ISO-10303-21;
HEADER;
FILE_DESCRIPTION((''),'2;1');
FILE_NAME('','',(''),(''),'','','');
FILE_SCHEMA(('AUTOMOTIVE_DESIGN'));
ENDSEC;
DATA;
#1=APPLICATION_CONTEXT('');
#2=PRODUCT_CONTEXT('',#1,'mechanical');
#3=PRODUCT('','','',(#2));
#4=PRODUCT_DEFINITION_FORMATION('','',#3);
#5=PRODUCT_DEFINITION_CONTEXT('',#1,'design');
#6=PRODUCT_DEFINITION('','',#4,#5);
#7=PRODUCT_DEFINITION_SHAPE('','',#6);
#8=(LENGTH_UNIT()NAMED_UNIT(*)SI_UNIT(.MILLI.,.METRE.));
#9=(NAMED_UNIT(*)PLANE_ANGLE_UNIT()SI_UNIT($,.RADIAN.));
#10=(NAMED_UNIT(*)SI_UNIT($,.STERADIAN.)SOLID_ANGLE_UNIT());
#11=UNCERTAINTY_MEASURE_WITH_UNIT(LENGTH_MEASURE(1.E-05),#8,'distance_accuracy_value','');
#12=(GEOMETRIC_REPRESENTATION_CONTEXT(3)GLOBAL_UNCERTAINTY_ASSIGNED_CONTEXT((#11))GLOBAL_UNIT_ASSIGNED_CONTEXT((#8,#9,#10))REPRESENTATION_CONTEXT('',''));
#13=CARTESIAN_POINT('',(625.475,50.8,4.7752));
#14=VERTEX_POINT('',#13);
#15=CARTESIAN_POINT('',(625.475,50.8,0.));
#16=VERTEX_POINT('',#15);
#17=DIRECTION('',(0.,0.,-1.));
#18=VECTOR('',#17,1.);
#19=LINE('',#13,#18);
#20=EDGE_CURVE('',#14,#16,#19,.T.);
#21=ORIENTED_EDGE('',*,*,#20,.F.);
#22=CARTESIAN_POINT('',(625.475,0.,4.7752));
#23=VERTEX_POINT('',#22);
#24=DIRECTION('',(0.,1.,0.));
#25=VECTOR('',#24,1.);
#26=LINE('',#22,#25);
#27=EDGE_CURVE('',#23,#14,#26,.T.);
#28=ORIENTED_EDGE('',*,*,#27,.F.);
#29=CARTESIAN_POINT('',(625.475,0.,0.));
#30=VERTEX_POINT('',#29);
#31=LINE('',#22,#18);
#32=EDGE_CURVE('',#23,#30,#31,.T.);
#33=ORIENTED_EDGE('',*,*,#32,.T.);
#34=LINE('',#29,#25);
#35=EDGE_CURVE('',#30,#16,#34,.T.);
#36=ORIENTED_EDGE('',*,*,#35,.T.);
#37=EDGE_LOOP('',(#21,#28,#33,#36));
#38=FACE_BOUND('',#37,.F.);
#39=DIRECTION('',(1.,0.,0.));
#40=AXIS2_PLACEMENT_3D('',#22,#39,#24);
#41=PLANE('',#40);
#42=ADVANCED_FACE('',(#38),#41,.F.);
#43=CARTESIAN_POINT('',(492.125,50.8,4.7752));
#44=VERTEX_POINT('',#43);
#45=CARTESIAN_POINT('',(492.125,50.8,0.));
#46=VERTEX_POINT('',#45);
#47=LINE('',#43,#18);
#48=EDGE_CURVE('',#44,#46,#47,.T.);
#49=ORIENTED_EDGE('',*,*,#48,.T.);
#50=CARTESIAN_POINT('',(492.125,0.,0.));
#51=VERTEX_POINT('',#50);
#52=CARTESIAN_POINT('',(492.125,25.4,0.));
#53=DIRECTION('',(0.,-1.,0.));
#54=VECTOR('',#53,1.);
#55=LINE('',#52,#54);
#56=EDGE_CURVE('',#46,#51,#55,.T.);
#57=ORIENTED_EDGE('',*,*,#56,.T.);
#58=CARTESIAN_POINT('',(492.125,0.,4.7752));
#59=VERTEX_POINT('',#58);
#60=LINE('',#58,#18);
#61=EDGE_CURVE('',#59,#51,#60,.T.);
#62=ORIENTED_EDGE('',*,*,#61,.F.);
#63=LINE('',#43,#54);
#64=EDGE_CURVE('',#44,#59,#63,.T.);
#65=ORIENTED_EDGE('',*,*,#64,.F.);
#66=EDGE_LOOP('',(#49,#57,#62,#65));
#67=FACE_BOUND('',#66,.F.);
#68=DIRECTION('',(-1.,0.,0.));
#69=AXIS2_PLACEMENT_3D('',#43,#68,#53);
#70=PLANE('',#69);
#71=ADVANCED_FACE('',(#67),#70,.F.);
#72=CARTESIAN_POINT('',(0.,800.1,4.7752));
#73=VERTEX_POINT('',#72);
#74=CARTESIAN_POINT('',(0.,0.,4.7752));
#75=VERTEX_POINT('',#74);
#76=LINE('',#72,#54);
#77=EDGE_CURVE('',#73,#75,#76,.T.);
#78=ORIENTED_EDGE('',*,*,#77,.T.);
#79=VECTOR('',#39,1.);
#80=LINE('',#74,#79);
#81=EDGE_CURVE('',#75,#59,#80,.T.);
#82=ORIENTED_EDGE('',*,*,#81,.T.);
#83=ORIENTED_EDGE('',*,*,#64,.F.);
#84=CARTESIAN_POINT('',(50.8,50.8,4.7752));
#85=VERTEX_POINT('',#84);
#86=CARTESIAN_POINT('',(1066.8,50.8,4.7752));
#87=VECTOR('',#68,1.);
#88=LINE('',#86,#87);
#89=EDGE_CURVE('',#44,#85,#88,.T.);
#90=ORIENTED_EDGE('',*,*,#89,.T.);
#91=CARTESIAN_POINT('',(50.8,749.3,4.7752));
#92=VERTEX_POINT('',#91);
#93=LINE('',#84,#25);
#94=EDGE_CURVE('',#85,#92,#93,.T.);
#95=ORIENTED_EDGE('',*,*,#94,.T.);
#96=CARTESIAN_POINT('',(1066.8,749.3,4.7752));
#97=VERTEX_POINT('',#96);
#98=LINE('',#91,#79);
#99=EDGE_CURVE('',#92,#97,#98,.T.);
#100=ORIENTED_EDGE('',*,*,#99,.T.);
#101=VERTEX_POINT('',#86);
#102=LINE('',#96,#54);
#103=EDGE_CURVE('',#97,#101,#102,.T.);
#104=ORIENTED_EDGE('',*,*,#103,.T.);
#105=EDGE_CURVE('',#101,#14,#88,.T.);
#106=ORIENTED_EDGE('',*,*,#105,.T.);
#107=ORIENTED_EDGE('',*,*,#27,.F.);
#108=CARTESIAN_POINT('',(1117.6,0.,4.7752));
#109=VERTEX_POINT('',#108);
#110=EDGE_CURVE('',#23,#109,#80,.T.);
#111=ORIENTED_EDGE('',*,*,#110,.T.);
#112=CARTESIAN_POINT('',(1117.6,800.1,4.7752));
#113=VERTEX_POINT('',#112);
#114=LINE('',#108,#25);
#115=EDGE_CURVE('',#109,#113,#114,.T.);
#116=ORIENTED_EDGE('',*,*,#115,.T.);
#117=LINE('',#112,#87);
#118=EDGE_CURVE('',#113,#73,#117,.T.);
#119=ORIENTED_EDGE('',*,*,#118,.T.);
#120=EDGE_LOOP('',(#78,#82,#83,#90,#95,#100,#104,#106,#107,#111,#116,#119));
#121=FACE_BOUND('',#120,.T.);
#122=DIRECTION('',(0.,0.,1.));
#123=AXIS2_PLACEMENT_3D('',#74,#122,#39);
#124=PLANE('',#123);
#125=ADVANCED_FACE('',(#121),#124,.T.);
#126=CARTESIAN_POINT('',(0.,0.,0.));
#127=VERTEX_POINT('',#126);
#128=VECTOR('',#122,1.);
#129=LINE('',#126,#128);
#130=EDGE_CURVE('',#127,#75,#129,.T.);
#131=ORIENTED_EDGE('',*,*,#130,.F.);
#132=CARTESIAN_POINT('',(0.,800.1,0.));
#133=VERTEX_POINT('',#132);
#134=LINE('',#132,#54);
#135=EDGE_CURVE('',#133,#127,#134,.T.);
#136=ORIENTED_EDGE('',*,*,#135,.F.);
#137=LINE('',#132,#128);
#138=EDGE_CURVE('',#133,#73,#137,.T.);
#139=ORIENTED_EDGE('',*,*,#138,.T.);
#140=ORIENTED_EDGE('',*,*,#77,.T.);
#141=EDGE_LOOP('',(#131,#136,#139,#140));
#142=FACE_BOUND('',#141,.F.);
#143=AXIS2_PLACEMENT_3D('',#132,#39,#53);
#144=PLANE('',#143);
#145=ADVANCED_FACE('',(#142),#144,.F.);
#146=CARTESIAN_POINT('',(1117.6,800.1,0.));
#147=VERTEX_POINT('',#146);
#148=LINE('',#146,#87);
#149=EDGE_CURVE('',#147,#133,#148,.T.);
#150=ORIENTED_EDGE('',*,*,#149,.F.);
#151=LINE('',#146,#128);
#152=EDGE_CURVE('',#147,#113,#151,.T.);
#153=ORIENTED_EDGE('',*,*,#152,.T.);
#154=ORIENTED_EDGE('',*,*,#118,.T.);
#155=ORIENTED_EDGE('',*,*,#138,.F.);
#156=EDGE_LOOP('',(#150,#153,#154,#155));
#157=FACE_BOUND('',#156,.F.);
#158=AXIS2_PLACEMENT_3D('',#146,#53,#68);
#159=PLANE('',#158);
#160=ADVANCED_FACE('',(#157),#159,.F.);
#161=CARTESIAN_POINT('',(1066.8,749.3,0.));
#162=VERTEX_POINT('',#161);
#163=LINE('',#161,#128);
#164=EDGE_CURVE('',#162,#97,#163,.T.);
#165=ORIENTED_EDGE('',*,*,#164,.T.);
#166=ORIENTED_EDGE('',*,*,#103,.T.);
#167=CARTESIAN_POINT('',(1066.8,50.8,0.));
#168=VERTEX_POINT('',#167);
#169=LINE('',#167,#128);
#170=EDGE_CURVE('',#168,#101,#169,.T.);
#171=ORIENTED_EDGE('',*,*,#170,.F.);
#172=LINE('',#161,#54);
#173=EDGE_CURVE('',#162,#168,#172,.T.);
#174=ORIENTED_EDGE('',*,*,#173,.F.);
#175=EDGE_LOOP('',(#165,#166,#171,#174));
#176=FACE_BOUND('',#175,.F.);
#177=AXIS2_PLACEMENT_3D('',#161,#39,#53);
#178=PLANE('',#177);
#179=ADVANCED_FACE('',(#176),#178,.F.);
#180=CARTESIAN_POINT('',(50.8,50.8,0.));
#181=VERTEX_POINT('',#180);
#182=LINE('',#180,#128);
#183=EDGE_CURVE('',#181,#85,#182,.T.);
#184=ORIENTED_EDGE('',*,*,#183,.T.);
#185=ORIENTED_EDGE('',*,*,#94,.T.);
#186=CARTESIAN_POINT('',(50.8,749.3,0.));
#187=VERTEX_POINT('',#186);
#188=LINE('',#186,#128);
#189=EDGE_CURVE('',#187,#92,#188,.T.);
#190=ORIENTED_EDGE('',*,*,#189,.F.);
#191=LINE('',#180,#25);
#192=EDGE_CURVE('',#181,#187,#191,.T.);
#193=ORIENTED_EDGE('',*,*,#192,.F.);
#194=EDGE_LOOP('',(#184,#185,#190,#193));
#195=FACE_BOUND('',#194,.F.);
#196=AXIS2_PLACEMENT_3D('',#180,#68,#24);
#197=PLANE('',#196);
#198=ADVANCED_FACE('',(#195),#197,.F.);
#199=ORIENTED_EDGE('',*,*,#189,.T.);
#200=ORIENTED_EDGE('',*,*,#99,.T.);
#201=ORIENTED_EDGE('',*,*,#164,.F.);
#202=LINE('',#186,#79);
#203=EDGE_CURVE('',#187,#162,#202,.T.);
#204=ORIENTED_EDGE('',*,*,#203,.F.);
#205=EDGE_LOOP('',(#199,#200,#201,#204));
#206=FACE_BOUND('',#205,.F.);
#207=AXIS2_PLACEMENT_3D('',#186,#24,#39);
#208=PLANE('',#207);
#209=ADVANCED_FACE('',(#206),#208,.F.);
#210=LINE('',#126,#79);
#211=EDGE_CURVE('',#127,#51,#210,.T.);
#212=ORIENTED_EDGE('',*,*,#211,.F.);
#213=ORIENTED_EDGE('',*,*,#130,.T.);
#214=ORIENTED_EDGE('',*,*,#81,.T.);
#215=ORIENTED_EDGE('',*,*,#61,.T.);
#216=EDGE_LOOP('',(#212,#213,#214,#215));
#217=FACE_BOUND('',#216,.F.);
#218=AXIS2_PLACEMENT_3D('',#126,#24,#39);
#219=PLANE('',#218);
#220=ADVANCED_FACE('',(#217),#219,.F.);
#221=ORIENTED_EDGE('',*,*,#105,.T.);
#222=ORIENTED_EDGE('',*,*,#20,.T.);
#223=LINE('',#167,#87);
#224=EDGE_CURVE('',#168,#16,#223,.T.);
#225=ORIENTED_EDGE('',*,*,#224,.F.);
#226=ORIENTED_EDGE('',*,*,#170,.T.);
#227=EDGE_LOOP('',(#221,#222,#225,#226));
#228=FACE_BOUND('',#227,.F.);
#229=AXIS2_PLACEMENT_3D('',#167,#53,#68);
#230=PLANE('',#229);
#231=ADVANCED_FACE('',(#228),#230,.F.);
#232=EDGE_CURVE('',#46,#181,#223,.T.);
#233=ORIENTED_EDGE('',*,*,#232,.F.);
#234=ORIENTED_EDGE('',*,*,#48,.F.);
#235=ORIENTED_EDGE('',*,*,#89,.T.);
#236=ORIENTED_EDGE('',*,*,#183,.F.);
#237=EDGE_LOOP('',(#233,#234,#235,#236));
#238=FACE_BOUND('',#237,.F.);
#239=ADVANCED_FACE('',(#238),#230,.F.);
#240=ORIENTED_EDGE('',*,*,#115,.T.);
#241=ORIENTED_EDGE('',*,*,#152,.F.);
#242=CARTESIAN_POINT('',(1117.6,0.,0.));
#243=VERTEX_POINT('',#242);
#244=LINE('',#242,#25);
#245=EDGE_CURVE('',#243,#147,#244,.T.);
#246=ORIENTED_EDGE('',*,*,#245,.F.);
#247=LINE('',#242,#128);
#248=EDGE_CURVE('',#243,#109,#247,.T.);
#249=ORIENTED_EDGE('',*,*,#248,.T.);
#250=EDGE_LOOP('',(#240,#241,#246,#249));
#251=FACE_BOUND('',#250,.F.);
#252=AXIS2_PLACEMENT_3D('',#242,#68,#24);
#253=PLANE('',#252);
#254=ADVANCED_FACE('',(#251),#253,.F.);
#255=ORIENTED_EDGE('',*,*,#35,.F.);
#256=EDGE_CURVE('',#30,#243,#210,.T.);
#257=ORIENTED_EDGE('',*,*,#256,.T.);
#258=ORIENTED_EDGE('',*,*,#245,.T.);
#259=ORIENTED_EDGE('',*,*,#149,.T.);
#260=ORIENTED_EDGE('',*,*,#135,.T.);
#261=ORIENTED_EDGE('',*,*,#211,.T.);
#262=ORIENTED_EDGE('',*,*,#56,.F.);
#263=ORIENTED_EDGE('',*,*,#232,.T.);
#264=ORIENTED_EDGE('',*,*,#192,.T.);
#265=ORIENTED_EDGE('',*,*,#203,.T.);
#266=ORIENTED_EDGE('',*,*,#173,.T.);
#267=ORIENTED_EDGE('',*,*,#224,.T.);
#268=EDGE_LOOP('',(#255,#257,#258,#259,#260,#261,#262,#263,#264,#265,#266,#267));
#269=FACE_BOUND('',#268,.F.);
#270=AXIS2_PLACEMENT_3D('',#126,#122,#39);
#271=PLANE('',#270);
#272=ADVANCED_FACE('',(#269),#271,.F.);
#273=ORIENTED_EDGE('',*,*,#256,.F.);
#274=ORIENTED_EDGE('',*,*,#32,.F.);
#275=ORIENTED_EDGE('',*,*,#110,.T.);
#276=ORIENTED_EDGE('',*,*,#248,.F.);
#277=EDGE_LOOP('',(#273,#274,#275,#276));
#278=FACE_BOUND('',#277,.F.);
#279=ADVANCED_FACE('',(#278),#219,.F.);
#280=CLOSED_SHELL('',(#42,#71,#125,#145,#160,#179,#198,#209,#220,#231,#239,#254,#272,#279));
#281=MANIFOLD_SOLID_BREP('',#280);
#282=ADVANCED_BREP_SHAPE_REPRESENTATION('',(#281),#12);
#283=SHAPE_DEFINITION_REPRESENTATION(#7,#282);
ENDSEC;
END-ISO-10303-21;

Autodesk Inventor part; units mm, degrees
ref_plane "YZ Plane" through (0, 0, 0) normal (1, 0, 0) x (0, 1, 0)
ref_plane "XZ Plane" through (0, 0, 0) normal (0, 1, 0) x (-1, 0, 0)
ref_plane "XY Plane" through (0, 0, 0) normal (0, 0, 1) x (1, 0, 0)
sketch "Sketch1" plane through (0, 0, 0) normal (0, 0, 1) x (1, 0, 0)
  line L0 (0, 0) -> (1117.6, 0)
  line L1 (1117.6, 0) -> (1117.6, 800.1)
  line L2 (1117.6, 800.1) -> (0, 800.1)
  line L3 (0, 800.1) -> (0, 0)
  line L4 (50.8, 749.3) -> (1066.8, 749.3)
  line L5 (1066.8, 749.3) -> (1066.8, 50.8)
  line L6 (1066.8, 50.8) -> (50.8, 50.8)
  line L7 (50.8, 50.8) -> (50.8, 749.3)
  dimension "d0" = 800.1
  dimension "d1" = 1117.6
  dimension "d2" = 50.8
extrude "Extrusion1" add sketch "Sketch1" along normal blind 4.7752
sketch "Sketch2" plane through (0, 0, 4.7752) normal (0, 0, 1) x (1, 0, 0)
  line L0 (1066.8, 50.8) -> (50.8, 50.8) projected
  line L1 (0, 0) -> (0, 800.1) projected
  line L2 (1117.6, 0) -> (0, 0) projected
  line L3 (492.125, 0) -> (625.475, 0)
  line L4 (625.475, 0) -> (625.475, 50.8)
  line L5 (625.475, 50.8) -> (492.125, 50.8)
  line L6 (492.125, 50.8) -> (492.125, 0)
  dimension "d5" = 133.35
  dimension "d6" = 492.125
extrude "Extrusion2" cut sketch "Sketch2" against normal through all
properties part number "backboardtape"
